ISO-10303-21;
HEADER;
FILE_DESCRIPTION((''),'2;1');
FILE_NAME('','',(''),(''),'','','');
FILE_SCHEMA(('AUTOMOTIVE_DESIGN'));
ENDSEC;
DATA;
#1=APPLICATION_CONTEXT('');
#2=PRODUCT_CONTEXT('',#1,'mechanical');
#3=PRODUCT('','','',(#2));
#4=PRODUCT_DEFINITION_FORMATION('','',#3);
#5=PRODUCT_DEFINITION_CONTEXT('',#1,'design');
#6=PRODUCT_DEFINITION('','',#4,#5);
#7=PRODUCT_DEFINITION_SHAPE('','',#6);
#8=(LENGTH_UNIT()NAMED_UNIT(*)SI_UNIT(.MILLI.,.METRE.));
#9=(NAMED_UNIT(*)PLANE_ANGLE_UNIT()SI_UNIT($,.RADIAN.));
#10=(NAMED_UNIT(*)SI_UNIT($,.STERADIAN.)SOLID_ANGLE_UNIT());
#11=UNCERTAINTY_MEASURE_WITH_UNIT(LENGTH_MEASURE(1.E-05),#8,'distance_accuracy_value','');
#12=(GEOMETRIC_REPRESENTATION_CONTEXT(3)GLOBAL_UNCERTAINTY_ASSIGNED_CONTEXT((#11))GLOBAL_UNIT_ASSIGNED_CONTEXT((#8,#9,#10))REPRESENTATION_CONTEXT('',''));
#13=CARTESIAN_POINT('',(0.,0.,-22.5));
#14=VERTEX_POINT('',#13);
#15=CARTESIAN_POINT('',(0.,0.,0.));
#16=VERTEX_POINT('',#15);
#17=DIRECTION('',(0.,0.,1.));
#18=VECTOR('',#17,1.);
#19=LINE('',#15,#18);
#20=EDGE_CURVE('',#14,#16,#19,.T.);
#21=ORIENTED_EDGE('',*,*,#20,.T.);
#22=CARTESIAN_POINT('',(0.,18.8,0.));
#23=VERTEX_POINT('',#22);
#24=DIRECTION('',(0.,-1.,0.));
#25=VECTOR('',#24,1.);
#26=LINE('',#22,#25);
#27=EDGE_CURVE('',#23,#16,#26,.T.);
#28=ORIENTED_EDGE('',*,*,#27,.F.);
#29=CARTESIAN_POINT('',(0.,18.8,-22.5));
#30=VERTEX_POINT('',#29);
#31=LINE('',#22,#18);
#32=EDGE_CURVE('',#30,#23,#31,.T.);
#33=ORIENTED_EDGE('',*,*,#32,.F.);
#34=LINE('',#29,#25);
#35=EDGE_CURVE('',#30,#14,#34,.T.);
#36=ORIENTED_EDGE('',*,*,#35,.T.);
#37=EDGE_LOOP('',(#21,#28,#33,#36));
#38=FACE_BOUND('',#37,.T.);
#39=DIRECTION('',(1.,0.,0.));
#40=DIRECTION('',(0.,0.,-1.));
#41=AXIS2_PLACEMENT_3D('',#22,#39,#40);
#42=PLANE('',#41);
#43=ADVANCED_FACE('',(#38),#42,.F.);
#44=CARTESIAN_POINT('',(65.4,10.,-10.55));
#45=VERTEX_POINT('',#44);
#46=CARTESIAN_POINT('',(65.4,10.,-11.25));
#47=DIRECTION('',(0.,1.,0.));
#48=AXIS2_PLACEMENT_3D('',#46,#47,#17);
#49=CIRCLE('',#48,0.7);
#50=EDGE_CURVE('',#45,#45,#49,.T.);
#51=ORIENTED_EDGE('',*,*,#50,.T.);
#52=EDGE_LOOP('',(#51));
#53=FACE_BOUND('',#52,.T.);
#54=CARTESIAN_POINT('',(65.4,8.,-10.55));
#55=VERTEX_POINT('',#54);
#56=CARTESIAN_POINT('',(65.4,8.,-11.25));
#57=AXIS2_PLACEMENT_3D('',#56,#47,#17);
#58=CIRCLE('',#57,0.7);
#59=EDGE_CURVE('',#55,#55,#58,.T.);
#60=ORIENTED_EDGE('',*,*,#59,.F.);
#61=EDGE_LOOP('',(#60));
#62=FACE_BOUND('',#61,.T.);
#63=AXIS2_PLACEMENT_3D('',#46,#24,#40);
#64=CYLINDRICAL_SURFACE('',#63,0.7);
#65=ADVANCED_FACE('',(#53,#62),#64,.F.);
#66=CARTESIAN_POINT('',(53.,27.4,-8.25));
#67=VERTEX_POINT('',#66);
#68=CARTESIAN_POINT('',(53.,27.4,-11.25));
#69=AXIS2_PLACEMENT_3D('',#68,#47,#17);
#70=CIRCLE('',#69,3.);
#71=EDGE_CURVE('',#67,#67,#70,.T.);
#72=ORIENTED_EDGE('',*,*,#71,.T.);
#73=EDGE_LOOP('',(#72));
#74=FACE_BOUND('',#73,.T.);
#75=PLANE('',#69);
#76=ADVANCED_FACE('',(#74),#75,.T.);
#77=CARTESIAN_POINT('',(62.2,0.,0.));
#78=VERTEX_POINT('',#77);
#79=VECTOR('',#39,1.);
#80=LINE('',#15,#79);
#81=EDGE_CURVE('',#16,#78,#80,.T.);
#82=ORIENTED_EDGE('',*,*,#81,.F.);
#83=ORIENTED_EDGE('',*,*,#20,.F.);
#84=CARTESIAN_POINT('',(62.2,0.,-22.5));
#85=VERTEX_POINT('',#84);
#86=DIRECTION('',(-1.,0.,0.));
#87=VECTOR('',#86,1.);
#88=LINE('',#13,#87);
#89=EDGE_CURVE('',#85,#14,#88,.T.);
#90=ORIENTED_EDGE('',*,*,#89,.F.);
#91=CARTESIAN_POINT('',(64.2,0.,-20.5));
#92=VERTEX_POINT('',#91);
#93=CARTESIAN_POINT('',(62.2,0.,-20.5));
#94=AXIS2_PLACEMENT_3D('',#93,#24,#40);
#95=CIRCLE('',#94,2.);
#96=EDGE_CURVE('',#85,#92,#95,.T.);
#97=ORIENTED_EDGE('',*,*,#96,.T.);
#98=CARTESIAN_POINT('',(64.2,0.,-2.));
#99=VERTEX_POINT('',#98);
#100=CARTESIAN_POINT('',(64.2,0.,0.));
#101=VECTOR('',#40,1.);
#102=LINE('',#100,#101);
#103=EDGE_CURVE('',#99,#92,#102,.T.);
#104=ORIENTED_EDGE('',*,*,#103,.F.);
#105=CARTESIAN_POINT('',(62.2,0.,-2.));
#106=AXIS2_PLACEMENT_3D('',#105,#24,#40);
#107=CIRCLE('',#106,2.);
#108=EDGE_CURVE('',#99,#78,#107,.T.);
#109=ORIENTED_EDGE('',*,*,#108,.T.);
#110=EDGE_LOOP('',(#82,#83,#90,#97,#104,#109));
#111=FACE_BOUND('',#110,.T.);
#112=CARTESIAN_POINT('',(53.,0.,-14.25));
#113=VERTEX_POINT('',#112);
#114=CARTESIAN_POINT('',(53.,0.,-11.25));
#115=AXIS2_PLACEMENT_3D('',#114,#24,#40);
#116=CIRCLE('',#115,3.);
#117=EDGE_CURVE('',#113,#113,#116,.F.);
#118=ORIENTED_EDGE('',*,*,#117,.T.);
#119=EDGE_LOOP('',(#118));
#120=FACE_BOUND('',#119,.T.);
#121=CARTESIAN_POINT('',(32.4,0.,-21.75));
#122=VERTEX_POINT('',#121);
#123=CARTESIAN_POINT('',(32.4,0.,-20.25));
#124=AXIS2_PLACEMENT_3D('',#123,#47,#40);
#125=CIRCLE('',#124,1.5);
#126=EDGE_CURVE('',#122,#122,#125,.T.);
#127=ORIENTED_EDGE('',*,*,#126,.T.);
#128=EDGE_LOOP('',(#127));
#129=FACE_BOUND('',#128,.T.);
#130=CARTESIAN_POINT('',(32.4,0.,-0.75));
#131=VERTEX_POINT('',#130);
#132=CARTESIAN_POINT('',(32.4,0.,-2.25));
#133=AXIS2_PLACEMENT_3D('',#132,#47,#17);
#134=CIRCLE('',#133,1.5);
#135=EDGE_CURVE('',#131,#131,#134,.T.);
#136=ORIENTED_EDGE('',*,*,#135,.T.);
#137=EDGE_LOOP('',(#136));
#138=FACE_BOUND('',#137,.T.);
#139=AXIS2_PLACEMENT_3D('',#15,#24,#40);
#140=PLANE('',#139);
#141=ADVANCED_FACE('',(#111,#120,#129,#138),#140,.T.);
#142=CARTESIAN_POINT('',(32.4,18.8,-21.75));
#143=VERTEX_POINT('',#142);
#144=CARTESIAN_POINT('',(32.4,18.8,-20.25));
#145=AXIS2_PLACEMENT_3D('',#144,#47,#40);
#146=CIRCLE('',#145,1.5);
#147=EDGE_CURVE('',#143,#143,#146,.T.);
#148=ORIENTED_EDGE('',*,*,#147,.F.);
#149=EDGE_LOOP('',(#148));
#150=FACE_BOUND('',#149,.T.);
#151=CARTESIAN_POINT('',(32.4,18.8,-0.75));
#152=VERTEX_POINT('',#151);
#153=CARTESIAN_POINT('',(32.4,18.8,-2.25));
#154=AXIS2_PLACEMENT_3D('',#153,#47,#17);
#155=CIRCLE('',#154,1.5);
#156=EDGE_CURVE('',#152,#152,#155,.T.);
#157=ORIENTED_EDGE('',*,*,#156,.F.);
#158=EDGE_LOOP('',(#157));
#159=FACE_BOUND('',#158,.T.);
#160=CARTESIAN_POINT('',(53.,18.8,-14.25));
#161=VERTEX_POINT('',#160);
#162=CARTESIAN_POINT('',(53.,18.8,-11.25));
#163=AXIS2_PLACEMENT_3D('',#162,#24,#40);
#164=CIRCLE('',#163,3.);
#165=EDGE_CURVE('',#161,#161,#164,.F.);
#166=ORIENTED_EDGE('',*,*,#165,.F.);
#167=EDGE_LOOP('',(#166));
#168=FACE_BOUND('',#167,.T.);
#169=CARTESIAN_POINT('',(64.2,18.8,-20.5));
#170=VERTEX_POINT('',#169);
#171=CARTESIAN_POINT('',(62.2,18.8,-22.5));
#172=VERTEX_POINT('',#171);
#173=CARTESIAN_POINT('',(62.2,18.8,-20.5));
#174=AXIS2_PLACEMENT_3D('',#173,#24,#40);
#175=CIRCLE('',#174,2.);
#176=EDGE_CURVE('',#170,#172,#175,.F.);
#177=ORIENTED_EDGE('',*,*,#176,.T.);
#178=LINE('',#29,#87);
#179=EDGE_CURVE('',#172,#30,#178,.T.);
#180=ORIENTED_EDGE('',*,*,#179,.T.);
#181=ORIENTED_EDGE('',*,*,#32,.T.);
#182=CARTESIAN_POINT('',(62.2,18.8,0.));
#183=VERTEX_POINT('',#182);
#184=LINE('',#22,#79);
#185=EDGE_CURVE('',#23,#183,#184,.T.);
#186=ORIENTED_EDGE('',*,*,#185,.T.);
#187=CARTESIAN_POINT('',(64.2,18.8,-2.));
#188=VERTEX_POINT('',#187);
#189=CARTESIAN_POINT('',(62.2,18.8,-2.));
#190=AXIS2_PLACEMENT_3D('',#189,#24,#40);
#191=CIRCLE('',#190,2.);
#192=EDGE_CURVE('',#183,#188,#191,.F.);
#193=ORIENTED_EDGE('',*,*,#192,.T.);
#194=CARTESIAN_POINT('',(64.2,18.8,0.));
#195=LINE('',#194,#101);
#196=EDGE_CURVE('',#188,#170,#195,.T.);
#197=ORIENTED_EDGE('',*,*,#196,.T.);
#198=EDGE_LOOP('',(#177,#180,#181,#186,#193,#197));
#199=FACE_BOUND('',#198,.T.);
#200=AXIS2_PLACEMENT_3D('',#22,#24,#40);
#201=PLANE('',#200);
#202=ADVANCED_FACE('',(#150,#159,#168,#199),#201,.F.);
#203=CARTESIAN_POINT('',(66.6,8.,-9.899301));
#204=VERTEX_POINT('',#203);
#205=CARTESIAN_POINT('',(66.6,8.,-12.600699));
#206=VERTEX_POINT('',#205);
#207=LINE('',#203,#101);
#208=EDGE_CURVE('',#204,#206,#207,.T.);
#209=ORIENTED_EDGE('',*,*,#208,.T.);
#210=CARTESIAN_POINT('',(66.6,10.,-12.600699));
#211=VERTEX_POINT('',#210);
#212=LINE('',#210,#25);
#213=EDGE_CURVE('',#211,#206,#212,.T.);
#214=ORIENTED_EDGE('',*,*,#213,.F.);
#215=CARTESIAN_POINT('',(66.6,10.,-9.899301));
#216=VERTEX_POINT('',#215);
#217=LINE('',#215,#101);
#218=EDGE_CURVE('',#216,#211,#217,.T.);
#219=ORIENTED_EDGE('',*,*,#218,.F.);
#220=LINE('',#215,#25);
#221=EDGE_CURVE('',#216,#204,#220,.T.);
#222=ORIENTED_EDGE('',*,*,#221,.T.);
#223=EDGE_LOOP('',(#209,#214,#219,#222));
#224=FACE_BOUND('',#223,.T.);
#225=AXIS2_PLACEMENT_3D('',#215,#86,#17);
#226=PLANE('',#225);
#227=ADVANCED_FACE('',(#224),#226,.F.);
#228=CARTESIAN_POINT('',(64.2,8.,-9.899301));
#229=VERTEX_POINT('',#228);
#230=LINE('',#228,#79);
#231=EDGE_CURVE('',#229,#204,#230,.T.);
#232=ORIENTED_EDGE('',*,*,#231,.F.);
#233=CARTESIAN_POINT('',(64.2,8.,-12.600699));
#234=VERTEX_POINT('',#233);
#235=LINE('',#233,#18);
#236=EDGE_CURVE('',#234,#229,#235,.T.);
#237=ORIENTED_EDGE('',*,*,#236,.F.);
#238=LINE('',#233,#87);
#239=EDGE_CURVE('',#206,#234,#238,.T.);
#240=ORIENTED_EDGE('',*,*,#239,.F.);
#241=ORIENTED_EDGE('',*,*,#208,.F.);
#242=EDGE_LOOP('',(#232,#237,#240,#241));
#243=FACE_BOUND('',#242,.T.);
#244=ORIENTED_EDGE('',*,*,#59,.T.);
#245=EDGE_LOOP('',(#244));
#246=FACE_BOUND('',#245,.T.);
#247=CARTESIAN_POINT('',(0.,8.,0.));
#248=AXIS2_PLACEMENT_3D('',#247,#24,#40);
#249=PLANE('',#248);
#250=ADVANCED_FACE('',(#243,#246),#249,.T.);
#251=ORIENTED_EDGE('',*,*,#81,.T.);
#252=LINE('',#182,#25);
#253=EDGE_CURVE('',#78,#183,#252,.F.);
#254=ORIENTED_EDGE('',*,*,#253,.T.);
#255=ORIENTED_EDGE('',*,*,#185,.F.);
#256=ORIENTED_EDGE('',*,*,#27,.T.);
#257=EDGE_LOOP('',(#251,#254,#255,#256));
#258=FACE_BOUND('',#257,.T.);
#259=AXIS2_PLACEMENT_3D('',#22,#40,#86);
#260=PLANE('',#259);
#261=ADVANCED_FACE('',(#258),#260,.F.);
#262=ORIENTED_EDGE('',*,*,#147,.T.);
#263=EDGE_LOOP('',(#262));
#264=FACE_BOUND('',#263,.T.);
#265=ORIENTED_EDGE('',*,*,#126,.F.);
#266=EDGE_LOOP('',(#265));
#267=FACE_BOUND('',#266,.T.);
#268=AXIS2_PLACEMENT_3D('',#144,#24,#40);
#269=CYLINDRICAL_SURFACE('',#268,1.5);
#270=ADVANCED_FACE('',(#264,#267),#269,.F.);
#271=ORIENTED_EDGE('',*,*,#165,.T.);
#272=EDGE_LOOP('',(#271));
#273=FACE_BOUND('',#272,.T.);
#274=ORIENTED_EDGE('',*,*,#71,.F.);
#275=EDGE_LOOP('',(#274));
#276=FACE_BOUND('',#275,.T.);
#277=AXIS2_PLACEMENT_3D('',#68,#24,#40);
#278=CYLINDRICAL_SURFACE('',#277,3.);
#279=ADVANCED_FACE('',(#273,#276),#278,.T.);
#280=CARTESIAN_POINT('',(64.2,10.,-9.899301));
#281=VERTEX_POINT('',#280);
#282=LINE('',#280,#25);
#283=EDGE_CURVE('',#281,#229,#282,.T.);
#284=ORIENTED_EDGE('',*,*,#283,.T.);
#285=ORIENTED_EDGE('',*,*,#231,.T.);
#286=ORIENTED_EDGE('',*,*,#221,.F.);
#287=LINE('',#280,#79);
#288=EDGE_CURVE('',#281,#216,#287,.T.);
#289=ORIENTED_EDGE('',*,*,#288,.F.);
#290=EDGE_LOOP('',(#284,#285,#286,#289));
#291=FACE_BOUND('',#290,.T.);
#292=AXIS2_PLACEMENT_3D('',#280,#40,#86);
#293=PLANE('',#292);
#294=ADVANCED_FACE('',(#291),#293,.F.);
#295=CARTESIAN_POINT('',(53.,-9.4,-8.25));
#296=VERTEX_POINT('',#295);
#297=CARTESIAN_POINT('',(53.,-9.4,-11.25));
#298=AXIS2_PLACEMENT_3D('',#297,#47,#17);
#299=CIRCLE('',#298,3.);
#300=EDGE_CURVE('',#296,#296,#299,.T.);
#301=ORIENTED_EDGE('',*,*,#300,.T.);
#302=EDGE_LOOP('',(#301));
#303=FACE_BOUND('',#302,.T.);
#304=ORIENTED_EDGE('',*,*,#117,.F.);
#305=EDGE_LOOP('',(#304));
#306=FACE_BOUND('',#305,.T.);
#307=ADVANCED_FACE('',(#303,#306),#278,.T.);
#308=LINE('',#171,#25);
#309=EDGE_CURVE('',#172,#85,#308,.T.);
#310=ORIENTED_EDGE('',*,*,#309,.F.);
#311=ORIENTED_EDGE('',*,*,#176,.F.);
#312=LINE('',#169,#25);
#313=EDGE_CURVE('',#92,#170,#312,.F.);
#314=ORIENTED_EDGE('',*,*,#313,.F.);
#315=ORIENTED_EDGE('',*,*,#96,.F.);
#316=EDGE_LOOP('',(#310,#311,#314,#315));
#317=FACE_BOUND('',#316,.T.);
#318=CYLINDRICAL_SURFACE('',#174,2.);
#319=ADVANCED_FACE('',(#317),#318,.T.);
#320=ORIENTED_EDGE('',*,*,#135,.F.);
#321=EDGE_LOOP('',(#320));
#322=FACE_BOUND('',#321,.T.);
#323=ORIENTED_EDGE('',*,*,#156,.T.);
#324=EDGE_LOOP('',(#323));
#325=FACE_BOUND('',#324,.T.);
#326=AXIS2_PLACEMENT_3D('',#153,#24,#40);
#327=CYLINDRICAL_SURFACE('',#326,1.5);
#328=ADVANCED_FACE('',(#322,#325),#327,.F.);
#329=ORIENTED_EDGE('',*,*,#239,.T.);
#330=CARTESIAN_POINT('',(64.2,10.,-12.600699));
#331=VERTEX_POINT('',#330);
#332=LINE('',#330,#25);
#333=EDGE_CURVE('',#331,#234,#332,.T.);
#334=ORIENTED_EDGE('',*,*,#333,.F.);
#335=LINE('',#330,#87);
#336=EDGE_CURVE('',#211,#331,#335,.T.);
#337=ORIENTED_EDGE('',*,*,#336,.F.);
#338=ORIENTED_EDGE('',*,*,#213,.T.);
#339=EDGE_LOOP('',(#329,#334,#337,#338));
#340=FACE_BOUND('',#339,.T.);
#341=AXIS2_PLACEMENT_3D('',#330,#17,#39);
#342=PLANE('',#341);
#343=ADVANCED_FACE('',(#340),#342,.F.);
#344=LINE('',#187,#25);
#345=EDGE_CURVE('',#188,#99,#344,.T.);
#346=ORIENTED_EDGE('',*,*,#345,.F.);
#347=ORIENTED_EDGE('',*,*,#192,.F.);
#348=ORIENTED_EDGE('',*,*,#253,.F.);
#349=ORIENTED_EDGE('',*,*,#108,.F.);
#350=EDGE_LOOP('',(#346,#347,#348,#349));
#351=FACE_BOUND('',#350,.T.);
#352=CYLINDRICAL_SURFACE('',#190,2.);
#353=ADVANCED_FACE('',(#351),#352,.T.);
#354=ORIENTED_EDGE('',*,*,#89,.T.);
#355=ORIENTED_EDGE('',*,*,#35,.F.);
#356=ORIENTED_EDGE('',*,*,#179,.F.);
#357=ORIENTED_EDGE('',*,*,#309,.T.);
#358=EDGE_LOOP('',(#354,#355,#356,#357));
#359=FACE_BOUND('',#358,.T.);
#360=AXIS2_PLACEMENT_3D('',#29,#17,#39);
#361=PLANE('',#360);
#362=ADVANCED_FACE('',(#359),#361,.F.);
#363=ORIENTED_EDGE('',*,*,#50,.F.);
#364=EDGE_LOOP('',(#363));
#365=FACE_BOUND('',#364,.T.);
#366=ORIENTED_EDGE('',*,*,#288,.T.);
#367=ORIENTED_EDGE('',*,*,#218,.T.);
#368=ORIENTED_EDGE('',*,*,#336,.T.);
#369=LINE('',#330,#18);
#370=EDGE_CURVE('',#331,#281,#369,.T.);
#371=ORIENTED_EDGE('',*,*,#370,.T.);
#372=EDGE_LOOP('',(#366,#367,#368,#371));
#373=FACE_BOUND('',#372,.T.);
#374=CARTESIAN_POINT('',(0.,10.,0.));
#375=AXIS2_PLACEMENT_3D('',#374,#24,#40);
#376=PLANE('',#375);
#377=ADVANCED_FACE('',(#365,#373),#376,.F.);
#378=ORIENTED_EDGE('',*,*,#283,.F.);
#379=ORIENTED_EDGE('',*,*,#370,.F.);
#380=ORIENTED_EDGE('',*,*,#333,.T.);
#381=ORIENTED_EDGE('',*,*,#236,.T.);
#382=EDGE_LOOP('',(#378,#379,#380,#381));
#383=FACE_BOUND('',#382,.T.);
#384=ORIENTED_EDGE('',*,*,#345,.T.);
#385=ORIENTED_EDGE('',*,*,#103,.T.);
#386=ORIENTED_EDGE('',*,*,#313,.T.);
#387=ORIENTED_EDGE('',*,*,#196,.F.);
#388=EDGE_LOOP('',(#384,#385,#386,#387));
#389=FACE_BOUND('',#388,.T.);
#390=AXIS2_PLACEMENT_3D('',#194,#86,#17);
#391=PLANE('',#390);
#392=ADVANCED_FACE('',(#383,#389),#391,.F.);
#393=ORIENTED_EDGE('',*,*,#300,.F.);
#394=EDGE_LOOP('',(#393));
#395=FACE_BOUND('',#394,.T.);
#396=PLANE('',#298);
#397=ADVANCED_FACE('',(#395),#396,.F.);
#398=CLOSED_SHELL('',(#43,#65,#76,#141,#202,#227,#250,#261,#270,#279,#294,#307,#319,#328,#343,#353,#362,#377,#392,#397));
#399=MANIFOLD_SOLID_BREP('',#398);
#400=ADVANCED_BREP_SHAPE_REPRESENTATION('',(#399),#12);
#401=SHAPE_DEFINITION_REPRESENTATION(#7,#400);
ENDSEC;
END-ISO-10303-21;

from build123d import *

# Parameters (mm, degrees)
SKETCH1_W           = 64.2
SKETCH1_H           = 22.5
SKETCH1_R           = 1.5
BOSS_EXTRUDE1_DEPTH = 18.8
SKETCH2_R           = 3
BOSS_EXTRUDE2_DEPTH = 18.4
SKETCH3_W           = 2.4
SKETCH3_H           = 2.701398926
SKETCH3_R           = 0.7
BOSS_EXTRUDE3_DEPTH = 1
FILLET1_R           = 2


with BuildPart() as part:
    # Sketch1 → Boss-Extrude1 (new body)
    with BuildSketch(Plane(origin=(0, 0, 0), x_dir=(1, 0, 0), z_dir=(0, 1, 0))):
        with Locations((32.1, 11.25)):
            Rectangle(SKETCH1_W, SKETCH1_H)
        with Locations(Location((32.4, 2.25, 0), (0, 0, 270))):
            Circle(SKETCH1_R, mode=Mode.SUBTRACT)
        with Locations(Location((32.4, 20.25, 0), (0, 0, 90))):
            Circle(SKETCH1_R, mode=Mode.SUBTRACT)
    extrude(amount=BOSS_EXTRUDE1_DEPTH)

    # Sketch2 → Boss-Extrude2 (add, symmetric)
    with BuildSketch(Plane(origin=(0, 9, 0), x_dir=(1, 0, 0), z_dir=(0, 1, 0))):
        with Locations(Location((53, 11.25, 0), (0, 0, 90))):
            Circle(SKETCH2_R)
    extrude(amount=BOSS_EXTRUDE2_DEPTH, both=True)

    # Sketch3 → Boss-Extrude3 (add, symmetric)
    with BuildSketch(Plane(origin=(0, 9, 0), x_dir=(1, 0, 0), z_dir=(0, 1, 0))):
        with Locations((65.4, 11.25)):
            Rectangle(SKETCH3_W, SKETCH3_H)
        with Locations(Location((65.4, 11.25, 0), (0, 0, 270))):
            Circle(SKETCH3_R, mode=Mode.SUBTRACT)
    extrude(amount=BOSS_EXTRUDE3_DEPTH, both=True)

    # Fillet1
    fillet1_edges = [part.edges().sort_by_distance(p)[0] for p in [
        (64.2, 9.4, -22.5),
        (64.2, 9.4, 0),
    ]]
    fillet(fillet1_edges, radius=FILLET1_R)


solid = part.part
